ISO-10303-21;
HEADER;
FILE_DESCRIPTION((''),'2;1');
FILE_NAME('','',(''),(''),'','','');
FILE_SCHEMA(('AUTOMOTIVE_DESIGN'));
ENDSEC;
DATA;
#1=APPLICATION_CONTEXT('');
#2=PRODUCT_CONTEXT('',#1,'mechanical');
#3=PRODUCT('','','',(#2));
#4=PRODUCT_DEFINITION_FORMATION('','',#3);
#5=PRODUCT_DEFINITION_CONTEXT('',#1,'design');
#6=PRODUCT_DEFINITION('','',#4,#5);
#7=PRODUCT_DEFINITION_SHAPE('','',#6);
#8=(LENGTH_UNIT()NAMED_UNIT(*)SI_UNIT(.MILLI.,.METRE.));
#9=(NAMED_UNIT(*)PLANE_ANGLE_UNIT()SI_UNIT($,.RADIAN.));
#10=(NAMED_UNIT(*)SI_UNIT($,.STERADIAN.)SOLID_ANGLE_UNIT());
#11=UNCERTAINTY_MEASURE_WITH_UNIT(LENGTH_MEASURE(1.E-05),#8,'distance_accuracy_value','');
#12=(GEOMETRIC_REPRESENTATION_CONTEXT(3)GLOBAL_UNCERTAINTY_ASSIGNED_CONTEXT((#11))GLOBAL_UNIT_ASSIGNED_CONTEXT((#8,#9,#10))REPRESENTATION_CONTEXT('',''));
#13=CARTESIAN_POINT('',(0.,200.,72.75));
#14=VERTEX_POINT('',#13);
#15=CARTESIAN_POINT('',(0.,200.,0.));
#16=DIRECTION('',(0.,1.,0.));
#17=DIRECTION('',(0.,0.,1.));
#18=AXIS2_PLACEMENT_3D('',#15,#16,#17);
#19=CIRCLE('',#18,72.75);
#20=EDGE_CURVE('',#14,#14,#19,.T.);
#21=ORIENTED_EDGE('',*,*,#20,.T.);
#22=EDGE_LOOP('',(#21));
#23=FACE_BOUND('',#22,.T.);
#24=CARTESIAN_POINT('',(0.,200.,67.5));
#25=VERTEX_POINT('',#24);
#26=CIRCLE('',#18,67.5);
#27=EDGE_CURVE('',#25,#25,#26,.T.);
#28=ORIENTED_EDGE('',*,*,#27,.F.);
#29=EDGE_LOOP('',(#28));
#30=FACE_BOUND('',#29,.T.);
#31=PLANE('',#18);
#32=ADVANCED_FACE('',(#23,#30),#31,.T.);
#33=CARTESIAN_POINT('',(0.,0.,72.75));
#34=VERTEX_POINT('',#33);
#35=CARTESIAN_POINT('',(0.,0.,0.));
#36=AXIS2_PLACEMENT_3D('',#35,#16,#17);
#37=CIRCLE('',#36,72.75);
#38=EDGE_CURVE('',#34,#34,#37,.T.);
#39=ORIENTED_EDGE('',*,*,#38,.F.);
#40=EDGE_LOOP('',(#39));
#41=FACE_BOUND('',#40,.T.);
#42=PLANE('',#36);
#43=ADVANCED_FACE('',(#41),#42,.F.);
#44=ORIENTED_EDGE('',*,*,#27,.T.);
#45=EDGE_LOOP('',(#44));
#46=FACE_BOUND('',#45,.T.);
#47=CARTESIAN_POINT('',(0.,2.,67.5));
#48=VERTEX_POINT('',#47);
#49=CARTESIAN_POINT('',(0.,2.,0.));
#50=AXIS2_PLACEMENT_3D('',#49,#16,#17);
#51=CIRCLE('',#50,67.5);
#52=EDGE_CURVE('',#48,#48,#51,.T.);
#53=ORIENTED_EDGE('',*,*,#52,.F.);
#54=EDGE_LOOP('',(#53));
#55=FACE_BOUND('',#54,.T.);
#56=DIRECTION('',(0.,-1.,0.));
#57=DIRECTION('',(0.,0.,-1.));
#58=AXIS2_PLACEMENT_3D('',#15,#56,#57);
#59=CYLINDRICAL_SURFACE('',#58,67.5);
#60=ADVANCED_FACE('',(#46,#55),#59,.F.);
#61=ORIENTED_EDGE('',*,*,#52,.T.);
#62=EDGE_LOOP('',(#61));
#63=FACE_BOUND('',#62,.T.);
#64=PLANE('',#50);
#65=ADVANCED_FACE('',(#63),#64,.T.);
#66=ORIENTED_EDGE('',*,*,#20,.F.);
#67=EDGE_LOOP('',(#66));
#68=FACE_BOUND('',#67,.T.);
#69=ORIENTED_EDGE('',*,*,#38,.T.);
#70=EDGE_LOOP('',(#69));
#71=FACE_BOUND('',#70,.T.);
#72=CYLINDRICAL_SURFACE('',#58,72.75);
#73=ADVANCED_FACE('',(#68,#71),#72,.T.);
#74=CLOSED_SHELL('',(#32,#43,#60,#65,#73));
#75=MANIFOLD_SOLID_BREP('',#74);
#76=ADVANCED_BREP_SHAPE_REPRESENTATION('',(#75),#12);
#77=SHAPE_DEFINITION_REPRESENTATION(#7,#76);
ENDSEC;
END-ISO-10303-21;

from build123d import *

# Parameters (mm, degrees)
SKETCH_6_R       = 72.75
SKETCH_6_R_2     = 67.5
EXTRUDE_12_DEPTH = 200
SKETCH_6_12_R    = 67.5
EXTRUDE_13_DEPTH = 2


with BuildPart() as part:
    # 草圖6 → 填料-伸長12 (new body)
    with BuildSketch(Plane(origin=(0, 0, 0), x_dir=(1, 0, 0), z_dir=(0, 1, 0))):
        Circle(SKETCH_6_R)
        Circle(SKETCH_6_R_2, mode=Mode.SUBTRACT)
    extrude(amount=EXTRUDE_12_DEPTH)

    # 草圖6<12> → 填料-伸長13 (add)
    with BuildSketch(Plane(origin=(0, 0, 0), x_dir=(1, 0, 0), z_dir=(0, 1, 0))):
        Circle(SKETCH_6_12_R)
    extrude(amount=EXTRUDE_13_DEPTH)


solid = part.part
